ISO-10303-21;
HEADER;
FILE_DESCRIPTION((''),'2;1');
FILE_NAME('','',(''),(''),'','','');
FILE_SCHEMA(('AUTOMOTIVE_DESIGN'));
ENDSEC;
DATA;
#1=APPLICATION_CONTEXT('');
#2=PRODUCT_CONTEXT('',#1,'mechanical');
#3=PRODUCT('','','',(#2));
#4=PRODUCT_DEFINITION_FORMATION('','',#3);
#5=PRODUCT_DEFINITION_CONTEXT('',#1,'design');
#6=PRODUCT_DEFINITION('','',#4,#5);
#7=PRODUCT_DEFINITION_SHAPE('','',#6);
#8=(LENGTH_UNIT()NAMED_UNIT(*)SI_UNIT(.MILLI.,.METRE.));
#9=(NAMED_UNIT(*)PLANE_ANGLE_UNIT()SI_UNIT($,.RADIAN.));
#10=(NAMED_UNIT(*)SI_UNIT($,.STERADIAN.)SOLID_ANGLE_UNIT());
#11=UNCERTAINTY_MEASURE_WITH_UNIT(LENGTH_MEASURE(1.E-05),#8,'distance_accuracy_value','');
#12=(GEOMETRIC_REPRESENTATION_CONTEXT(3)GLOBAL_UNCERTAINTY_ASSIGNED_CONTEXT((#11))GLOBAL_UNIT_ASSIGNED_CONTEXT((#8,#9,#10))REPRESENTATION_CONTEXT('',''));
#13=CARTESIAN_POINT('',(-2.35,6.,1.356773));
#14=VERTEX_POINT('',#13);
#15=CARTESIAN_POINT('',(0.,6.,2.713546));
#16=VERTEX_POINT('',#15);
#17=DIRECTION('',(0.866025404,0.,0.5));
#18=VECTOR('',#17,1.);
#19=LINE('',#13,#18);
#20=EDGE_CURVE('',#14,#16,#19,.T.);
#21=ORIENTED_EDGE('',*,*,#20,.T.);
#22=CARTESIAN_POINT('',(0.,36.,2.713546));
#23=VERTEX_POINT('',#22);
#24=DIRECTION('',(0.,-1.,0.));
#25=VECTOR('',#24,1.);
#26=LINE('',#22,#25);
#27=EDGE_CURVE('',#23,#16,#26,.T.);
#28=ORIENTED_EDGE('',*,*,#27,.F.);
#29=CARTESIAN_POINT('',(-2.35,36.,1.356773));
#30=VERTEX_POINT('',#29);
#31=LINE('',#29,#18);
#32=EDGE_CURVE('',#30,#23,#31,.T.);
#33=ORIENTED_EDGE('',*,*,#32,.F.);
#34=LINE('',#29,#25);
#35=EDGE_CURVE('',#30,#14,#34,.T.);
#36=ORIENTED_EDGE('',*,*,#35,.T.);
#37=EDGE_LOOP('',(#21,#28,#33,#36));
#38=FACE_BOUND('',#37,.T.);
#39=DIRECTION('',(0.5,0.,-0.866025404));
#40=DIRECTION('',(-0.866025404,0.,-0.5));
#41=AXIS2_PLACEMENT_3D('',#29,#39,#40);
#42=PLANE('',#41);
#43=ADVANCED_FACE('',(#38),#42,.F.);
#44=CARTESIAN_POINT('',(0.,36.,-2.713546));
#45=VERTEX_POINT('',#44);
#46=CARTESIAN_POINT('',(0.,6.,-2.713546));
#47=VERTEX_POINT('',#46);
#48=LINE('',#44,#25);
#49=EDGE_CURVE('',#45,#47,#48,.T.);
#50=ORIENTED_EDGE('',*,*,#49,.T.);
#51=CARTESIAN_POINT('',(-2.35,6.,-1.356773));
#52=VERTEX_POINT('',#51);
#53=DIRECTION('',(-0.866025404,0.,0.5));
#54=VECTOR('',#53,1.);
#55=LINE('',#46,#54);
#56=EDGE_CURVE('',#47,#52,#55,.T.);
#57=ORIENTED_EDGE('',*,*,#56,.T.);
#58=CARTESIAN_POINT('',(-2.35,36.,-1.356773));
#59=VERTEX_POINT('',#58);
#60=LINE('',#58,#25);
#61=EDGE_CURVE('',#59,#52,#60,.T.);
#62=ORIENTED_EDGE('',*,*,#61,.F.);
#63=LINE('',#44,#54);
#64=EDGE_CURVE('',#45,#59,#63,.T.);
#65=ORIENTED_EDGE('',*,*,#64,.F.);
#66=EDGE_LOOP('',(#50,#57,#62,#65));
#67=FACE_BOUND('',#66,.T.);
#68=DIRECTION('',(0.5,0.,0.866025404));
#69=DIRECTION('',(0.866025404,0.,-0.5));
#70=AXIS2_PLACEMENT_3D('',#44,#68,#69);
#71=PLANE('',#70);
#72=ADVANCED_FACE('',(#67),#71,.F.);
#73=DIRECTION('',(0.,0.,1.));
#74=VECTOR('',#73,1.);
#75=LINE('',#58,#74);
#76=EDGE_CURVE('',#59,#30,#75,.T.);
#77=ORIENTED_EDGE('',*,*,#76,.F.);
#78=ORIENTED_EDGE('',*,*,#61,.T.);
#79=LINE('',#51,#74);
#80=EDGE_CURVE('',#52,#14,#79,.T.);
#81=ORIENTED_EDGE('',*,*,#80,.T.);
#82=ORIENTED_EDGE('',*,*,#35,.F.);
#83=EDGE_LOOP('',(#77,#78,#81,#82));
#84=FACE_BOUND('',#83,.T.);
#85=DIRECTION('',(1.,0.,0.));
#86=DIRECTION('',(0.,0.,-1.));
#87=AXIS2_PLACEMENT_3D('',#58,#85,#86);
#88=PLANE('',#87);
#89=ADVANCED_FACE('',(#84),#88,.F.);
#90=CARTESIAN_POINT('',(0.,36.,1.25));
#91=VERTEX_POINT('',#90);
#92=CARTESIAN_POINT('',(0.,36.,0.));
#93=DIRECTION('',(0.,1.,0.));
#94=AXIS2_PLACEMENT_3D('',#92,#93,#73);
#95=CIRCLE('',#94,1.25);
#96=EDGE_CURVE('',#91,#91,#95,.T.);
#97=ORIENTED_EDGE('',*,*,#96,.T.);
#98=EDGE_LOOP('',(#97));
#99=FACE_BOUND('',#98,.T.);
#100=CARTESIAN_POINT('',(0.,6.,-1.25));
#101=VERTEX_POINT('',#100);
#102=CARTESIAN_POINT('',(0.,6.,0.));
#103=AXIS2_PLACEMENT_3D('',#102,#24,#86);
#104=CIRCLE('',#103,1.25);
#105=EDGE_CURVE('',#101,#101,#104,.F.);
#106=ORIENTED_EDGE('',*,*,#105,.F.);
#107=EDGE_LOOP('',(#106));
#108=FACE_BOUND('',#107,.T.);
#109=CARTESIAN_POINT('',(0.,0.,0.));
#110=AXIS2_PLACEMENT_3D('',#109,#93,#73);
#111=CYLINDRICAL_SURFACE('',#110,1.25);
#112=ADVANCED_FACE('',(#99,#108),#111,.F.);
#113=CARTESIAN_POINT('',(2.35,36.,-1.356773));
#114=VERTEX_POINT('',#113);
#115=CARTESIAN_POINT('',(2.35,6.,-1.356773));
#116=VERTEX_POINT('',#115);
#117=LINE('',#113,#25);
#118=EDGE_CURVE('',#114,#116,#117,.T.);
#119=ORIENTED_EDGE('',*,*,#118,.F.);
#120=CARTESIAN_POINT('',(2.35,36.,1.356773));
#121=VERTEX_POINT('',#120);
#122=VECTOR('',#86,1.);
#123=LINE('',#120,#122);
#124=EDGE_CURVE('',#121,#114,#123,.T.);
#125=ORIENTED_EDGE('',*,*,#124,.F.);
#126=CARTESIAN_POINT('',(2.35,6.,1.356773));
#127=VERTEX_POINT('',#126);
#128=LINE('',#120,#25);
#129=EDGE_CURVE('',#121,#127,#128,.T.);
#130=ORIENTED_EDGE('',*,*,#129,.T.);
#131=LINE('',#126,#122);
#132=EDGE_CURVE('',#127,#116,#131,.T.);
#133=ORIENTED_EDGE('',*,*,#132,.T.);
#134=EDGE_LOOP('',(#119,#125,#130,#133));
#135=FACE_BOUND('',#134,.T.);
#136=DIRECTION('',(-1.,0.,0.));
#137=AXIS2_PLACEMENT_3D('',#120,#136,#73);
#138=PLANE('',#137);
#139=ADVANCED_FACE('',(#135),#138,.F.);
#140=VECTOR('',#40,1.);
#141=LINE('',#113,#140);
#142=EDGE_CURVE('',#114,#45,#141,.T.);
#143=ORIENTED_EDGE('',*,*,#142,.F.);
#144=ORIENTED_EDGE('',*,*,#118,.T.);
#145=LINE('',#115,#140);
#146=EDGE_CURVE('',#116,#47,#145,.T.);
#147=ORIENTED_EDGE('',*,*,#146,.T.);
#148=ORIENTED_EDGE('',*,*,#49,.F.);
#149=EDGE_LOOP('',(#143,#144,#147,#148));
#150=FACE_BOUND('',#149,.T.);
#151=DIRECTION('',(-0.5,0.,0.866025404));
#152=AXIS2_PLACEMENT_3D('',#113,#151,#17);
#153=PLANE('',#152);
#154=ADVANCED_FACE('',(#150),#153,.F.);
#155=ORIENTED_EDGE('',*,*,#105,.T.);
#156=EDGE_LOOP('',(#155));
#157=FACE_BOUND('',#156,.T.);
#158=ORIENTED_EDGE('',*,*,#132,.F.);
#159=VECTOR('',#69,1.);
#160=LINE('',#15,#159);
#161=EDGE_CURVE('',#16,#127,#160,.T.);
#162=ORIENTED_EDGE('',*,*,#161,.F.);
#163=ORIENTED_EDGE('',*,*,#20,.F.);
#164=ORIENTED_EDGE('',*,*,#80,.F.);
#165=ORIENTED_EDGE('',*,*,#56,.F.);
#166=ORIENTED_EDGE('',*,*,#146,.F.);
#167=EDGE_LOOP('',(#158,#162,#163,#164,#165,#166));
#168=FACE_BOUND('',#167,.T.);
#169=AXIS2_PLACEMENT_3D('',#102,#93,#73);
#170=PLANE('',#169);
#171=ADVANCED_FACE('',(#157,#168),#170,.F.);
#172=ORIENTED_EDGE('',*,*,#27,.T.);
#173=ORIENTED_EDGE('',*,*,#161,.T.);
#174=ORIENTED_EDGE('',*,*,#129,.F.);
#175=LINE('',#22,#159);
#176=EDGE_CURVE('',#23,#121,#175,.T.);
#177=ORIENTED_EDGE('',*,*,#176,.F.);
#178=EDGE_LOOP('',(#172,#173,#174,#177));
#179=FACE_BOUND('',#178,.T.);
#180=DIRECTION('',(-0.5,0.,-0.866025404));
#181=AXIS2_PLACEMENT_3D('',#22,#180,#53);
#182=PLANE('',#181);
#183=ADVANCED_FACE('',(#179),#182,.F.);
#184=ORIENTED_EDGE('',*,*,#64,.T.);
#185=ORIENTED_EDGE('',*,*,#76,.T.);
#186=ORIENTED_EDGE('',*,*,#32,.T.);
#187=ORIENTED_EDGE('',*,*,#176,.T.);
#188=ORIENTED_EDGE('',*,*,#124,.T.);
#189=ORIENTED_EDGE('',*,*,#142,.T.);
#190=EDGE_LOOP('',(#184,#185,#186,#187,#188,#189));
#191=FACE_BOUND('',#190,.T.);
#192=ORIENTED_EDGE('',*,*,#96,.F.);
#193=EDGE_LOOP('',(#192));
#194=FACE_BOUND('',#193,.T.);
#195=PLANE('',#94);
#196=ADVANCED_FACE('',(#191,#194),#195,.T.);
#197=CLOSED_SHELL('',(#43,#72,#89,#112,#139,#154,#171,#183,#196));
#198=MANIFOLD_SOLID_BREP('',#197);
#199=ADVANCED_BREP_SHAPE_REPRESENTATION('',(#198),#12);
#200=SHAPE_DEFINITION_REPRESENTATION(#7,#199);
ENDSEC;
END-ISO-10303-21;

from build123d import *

# Parameters (mm, degrees)
SKETCH1_R           = 1.5
BOSS_EXTRUDE1_DEPTH = 6
BOSS_EXTRUDE2_DEPTH = 30
SKETCH3_R           = 1.25
CUT_EXTRUDE1_DEPTH  = 37.178527241
SKETCH4_R           = 1.753983447
CUT_EXTRUDE2_DEPTH  = 10


with BuildPart() as part:
    # Sketch1 → Boss-Extrude1 (new body)
    with BuildSketch(Plane(origin=(0, 0, 0), x_dir=(1, 0, 0), z_dir=(0, 1, 0))):
        Circle(SKETCH1_R)
    extrude(amount=BOSS_EXTRUDE1_DEPTH)

    # Sketch2 → Boss-Extrude2 (add)
    with BuildSketch(Plane(origin=(0, 6, 0), x_dir=(1, 0, 0), z_dir=(0, 1, 0))):
        Polygon((-2.35, 1.356773133), (-2.35, -1.356773133), (0, -2.713546265), (2.35, -1.356773133), (2.35, 1.356773133), (0, 2.713546265), align=None)
    extrude(amount=BOSS_EXTRUDE2_DEPTH)

    # Sketch3 → Cut-Extrude1 (cut, through all)
    with BuildSketch(Plane(origin=(0, 36, 0), x_dir=(1, 0, 0), z_dir=(0, 1, 0))):
        Circle(SKETCH3_R)
    extrude(amount=-CUT_EXTRUDE1_DEPTH, mode=Mode.SUBTRACT)

    # Sketch4 → Cut-Extrude2 (cut)
    with BuildSketch(Plane.XZ.offset(-6)):
        Circle(SKETCH4_R)
    extrude(amount=CUT_EXTRUDE2_DEPTH, mode=Mode.SUBTRACT)


solid = part.part
